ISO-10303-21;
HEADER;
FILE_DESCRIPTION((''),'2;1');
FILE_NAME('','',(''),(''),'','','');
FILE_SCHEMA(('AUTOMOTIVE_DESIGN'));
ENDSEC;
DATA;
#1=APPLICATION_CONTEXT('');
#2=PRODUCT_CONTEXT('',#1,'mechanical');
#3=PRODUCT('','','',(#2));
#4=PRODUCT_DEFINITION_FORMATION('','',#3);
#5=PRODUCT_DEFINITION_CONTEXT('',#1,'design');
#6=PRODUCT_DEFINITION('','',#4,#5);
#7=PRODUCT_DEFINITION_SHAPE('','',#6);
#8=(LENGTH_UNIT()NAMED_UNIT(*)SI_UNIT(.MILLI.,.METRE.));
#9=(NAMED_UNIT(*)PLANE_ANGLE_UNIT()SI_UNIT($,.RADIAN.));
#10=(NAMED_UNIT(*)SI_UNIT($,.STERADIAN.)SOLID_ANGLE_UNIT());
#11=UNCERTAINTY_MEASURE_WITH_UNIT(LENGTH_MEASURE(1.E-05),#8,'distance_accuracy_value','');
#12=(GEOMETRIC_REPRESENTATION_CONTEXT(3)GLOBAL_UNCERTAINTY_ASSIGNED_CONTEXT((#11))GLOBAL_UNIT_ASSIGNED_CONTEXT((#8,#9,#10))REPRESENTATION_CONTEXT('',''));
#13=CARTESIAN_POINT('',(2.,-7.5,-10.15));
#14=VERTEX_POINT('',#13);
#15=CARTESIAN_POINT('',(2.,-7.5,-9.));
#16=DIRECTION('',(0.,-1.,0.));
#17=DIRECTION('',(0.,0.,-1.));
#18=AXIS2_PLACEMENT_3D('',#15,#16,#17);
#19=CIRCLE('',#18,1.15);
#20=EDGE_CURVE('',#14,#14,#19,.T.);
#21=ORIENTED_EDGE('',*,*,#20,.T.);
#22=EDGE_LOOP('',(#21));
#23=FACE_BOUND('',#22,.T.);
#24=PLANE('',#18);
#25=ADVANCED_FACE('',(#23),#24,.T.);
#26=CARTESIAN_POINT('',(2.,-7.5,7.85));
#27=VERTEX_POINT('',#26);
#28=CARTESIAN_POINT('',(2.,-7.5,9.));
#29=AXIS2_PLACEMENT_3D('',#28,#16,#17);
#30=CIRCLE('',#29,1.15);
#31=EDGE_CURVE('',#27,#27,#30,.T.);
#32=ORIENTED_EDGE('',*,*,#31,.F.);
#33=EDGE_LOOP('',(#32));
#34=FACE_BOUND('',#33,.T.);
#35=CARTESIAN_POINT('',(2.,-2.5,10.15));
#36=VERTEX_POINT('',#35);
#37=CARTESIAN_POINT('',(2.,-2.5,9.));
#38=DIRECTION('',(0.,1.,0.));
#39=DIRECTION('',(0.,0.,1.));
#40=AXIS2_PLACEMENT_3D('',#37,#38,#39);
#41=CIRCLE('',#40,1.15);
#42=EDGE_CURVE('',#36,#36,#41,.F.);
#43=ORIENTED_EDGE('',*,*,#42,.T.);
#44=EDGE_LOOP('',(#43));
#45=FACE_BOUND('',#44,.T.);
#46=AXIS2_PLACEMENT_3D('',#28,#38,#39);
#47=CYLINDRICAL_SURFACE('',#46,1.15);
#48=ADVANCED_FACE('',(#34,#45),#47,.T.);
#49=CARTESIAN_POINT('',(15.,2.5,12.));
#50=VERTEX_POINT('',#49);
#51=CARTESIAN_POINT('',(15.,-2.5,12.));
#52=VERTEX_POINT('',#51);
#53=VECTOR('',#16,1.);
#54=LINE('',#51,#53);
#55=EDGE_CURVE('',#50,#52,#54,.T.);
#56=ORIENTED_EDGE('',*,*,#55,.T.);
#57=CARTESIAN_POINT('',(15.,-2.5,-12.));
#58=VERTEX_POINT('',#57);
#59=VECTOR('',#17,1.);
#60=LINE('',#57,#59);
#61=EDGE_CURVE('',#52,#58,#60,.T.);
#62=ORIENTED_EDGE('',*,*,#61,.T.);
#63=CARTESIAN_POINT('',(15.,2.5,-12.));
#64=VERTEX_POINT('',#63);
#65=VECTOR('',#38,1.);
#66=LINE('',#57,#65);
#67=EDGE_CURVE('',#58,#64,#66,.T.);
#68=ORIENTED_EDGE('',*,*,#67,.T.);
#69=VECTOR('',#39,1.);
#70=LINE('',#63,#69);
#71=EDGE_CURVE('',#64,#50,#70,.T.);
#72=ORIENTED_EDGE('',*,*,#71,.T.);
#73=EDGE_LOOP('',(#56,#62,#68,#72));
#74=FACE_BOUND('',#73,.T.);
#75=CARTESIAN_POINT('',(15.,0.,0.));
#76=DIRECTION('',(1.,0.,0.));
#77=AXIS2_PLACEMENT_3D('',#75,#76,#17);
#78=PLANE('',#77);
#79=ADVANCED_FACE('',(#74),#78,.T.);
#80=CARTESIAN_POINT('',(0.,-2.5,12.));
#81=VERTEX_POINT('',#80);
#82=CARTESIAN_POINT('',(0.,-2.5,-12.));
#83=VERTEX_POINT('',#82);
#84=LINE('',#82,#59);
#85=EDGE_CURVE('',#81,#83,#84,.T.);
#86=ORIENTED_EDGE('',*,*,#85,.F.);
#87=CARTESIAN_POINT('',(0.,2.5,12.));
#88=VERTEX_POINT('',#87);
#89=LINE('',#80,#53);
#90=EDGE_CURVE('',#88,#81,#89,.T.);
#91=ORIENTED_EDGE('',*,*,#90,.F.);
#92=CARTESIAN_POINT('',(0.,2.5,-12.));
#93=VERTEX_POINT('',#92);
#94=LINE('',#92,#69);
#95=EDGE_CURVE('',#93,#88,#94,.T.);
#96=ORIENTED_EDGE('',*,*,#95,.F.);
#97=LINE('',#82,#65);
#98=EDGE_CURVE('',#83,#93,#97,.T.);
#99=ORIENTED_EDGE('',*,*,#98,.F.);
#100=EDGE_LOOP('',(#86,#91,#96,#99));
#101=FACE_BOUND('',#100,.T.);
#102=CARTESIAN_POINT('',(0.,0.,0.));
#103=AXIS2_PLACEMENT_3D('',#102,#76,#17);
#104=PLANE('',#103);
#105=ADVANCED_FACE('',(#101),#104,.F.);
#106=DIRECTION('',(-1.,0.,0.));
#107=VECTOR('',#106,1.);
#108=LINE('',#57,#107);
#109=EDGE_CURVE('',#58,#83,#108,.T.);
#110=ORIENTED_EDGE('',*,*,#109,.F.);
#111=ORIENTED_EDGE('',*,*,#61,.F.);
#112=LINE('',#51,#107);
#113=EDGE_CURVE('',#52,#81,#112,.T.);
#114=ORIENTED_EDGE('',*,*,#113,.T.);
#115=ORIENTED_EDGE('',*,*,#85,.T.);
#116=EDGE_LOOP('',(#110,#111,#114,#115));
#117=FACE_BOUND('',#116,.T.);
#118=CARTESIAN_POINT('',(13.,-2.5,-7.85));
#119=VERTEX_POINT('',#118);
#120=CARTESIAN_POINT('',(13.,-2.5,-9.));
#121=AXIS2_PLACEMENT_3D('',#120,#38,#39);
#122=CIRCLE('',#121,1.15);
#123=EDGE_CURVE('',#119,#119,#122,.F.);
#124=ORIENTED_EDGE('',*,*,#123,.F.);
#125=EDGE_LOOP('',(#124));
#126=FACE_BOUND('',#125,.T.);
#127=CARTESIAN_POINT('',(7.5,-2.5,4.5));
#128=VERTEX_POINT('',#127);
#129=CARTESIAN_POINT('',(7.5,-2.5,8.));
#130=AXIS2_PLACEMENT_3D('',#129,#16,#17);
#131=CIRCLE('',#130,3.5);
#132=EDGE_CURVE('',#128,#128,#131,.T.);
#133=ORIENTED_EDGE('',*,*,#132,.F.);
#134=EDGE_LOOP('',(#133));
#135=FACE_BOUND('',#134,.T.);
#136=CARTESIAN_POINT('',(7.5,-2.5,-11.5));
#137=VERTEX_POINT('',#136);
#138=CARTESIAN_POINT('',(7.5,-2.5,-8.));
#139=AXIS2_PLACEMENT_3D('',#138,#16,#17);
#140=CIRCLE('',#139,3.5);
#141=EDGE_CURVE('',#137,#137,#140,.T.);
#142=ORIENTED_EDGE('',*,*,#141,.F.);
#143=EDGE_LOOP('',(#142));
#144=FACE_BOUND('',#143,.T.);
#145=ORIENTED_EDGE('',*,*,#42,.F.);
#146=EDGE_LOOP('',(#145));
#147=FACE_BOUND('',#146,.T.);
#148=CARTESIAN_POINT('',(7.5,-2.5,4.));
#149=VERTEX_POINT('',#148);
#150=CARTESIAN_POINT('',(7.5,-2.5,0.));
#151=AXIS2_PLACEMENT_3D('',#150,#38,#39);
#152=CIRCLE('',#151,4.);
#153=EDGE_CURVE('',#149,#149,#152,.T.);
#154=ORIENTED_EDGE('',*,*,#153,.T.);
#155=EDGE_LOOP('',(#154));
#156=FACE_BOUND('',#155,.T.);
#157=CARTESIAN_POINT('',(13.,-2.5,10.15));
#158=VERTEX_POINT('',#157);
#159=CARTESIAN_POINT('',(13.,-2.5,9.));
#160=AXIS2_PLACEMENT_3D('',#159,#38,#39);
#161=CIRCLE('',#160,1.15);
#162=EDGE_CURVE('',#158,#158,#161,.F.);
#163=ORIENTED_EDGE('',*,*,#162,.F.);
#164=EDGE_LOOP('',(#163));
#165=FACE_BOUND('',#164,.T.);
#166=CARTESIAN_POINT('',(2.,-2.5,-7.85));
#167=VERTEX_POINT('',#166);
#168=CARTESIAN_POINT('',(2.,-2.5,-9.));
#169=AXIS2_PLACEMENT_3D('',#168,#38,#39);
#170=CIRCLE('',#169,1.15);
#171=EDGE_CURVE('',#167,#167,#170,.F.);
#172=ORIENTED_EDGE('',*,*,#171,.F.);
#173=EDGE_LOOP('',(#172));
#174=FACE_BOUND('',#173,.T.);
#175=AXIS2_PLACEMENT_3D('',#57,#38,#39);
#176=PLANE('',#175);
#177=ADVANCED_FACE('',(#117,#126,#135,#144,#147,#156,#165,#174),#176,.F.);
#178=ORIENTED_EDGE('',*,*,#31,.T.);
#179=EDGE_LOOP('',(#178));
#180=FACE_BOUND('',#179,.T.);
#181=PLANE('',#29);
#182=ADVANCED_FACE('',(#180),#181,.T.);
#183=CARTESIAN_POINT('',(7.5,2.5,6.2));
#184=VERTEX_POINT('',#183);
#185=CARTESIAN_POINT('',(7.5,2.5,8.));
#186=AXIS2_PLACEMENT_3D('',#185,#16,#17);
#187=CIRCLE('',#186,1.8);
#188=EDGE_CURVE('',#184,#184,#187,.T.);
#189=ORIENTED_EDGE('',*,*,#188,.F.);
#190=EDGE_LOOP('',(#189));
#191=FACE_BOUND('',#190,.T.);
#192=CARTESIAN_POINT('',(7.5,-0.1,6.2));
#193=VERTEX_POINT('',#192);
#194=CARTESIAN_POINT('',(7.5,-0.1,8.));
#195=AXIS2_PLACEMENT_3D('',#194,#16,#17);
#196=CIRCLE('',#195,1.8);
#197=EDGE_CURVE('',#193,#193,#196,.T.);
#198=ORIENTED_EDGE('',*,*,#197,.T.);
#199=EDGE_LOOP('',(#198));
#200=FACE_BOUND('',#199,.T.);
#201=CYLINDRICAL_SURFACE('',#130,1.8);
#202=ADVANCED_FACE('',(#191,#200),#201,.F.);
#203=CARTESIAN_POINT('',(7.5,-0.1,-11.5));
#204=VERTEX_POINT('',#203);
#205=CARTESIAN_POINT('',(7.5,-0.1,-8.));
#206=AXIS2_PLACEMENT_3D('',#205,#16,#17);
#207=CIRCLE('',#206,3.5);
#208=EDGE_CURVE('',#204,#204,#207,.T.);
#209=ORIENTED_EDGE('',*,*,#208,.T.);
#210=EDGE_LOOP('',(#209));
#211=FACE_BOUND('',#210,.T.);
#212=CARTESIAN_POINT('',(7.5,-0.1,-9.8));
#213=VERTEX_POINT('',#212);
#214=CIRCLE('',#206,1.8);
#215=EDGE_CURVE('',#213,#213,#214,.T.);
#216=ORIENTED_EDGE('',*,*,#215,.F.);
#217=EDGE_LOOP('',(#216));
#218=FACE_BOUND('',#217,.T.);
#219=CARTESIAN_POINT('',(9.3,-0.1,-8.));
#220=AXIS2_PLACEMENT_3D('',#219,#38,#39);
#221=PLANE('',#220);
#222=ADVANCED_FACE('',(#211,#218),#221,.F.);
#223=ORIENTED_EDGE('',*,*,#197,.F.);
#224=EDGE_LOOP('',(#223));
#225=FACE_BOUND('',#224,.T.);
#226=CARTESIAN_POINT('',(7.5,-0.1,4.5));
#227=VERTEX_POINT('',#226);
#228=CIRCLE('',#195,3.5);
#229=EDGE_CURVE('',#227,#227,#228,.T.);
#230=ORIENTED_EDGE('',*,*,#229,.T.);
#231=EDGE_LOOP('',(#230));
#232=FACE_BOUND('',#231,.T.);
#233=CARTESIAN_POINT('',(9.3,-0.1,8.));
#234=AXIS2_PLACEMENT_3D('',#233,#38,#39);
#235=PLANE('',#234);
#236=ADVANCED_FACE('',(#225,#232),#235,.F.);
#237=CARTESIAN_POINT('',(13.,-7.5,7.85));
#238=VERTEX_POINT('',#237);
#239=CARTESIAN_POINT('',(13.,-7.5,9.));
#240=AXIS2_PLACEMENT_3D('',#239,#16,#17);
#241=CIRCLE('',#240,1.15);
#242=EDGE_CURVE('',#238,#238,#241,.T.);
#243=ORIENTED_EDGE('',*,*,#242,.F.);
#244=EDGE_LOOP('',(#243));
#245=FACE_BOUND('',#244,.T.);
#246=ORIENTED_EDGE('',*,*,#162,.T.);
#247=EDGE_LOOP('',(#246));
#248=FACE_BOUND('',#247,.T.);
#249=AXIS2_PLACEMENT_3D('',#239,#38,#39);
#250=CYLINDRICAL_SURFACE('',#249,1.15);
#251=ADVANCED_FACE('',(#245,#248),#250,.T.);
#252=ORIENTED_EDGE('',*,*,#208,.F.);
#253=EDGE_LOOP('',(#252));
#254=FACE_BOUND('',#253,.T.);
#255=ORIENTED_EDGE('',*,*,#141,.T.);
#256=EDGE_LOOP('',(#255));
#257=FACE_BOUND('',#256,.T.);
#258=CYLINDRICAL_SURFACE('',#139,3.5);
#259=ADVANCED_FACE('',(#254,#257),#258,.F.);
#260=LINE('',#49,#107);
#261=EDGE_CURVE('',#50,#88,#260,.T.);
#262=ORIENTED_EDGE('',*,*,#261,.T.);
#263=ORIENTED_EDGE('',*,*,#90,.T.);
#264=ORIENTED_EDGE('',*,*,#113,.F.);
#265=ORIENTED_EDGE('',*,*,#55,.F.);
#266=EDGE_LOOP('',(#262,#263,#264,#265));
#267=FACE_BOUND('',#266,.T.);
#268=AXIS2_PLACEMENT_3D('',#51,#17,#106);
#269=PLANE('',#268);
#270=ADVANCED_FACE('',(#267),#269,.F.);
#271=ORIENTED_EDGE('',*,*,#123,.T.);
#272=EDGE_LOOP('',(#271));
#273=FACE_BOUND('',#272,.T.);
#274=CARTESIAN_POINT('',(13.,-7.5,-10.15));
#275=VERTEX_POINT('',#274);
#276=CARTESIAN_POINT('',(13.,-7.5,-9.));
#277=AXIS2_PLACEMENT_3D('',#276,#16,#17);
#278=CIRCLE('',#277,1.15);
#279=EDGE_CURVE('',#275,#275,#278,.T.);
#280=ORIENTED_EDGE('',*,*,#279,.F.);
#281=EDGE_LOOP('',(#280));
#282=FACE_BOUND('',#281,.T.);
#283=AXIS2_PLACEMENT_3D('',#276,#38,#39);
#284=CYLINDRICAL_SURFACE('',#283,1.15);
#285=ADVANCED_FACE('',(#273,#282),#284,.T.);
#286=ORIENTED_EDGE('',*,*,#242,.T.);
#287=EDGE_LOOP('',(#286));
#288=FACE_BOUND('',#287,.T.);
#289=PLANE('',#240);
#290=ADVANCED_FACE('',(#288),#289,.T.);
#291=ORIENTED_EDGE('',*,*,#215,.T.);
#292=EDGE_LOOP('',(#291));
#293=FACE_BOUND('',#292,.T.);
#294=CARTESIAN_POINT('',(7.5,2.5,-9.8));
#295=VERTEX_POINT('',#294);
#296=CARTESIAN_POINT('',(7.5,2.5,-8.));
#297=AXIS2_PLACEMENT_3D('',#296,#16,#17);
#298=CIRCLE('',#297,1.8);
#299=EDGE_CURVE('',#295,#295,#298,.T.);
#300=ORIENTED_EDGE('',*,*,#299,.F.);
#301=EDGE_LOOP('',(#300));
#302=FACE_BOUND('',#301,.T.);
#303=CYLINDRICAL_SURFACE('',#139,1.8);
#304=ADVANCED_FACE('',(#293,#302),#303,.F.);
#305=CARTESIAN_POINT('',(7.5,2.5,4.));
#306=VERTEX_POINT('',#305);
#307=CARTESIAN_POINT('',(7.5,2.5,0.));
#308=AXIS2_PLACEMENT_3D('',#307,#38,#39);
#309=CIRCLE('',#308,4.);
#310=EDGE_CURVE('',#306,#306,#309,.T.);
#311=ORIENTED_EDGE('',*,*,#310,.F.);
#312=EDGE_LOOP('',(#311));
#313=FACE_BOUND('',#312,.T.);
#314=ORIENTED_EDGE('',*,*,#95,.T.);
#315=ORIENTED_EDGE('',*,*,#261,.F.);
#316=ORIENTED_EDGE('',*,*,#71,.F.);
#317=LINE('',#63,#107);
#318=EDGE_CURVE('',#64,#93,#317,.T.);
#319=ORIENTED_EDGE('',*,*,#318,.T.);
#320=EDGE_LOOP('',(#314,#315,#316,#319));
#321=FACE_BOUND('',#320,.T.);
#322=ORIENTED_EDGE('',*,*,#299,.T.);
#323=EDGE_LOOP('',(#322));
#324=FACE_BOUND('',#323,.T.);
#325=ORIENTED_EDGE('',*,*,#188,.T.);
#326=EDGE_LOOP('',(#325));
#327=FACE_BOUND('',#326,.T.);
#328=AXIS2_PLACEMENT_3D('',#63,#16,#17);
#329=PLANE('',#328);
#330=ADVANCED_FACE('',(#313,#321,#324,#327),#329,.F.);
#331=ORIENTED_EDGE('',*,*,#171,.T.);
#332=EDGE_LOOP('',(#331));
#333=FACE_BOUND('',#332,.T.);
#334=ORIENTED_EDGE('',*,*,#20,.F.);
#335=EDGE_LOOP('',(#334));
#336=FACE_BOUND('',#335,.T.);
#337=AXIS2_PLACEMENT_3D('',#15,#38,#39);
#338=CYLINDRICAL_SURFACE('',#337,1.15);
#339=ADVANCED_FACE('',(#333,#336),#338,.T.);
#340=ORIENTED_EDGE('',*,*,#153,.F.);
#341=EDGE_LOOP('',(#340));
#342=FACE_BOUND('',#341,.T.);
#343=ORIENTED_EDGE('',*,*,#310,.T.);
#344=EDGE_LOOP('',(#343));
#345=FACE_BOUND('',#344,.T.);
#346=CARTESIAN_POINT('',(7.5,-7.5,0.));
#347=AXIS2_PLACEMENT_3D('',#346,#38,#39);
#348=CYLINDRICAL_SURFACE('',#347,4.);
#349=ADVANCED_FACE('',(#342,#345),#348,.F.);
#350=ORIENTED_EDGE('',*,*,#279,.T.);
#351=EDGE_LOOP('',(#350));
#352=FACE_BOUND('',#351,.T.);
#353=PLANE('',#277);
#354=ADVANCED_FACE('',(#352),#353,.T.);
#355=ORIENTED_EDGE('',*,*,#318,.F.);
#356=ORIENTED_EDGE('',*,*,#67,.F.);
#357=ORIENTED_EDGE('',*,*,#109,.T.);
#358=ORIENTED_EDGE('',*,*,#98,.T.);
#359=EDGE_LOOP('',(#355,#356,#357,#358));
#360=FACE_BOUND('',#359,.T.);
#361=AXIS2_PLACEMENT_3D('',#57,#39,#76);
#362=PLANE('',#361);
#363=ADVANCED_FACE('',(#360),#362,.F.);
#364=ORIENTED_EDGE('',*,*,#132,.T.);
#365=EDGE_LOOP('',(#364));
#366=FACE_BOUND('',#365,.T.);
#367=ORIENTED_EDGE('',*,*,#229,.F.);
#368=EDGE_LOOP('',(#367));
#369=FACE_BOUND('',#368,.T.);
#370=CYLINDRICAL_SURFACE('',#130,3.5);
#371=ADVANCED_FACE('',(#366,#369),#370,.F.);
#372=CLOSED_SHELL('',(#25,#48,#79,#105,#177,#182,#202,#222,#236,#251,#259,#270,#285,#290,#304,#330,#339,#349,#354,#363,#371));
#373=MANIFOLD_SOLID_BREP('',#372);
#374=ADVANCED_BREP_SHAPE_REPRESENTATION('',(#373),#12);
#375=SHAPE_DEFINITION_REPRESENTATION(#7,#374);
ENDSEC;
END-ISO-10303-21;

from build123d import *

# Parameters (mm, degrees)
SKETCH1_W                                = 24
SKETCH1_H                                = 5
BOSS_EXTRUDE1_DEPTH                      = 15
SKETCH2_R                                = 1.15
BOSS_EXTRUDE2_DEPTH                      = 5
SKETCH4_R                                = 4
CUT_EXTRUDE1_DEPTH                       = 11
CBORE_FOR_M3_PAN_HEAD_SCREW1_D           = 3.6
CBORE_FOR_M3_PAN_HEAD_SCREW1_CBORE_D     = 7
CBORE_FOR_M3_PAN_HEAD_SCREW1_CBORE_DEPTH = 2.4


with BuildPart() as part:
    # Sketch1 → Boss-Extrude1 (new body)
    with BuildSketch(Plane(origin=(0, 0, 0), x_dir=(0, 0, -1), z_dir=(1, 0, 0))):
        Rectangle(SKETCH1_W, SKETCH1_H)
    extrude(amount=BOSS_EXTRUDE1_DEPTH)

    # Sketch2 → Boss-Extrude2 (add)
    with BuildSketch(Plane.XZ.offset(2.5)):
        with Locations((2, 9)):
            Circle(SKETCH2_R)
        with Locations((13, 9)):
            Circle(SKETCH2_R)
        with Locations((13, -9)):
            Circle(SKETCH2_R)
        with Locations((2, -9)):
            Circle(SKETCH2_R)
    extrude(amount=BOSS_EXTRUDE2_DEPTH)

    # Sketch4 → Cut-Extrude1 (cut, through all)
    with BuildSketch(Plane(origin=(0, 2.5, 0), x_dir=(1, 0, 0), z_dir=(0, 1, 0))):
        with Locations((7.5, 0)):
            Circle(SKETCH4_R)
    extrude(amount=-CUT_EXTRUDE1_DEPTH, mode=Mode.SUBTRACT)

    # CBORE for M3 Pan Head Screw1 (through all)
    with Locations(Plane(origin=(0, -2.5, 0), x_dir=(-1, 0, 0), z_dir=(0, -1, 0))):
        with Locations((-7.5, 8), (-7.5, -8)):
            CounterBoreHole(CBORE_FOR_M3_PAN_HEAD_SCREW1_D / 2, CBORE_FOR_M3_PAN_HEAD_SCREW1_CBORE_D / 2, CBORE_FOR_M3_PAN_HEAD_SCREW1_CBORE_DEPTH)


solid = part.part
